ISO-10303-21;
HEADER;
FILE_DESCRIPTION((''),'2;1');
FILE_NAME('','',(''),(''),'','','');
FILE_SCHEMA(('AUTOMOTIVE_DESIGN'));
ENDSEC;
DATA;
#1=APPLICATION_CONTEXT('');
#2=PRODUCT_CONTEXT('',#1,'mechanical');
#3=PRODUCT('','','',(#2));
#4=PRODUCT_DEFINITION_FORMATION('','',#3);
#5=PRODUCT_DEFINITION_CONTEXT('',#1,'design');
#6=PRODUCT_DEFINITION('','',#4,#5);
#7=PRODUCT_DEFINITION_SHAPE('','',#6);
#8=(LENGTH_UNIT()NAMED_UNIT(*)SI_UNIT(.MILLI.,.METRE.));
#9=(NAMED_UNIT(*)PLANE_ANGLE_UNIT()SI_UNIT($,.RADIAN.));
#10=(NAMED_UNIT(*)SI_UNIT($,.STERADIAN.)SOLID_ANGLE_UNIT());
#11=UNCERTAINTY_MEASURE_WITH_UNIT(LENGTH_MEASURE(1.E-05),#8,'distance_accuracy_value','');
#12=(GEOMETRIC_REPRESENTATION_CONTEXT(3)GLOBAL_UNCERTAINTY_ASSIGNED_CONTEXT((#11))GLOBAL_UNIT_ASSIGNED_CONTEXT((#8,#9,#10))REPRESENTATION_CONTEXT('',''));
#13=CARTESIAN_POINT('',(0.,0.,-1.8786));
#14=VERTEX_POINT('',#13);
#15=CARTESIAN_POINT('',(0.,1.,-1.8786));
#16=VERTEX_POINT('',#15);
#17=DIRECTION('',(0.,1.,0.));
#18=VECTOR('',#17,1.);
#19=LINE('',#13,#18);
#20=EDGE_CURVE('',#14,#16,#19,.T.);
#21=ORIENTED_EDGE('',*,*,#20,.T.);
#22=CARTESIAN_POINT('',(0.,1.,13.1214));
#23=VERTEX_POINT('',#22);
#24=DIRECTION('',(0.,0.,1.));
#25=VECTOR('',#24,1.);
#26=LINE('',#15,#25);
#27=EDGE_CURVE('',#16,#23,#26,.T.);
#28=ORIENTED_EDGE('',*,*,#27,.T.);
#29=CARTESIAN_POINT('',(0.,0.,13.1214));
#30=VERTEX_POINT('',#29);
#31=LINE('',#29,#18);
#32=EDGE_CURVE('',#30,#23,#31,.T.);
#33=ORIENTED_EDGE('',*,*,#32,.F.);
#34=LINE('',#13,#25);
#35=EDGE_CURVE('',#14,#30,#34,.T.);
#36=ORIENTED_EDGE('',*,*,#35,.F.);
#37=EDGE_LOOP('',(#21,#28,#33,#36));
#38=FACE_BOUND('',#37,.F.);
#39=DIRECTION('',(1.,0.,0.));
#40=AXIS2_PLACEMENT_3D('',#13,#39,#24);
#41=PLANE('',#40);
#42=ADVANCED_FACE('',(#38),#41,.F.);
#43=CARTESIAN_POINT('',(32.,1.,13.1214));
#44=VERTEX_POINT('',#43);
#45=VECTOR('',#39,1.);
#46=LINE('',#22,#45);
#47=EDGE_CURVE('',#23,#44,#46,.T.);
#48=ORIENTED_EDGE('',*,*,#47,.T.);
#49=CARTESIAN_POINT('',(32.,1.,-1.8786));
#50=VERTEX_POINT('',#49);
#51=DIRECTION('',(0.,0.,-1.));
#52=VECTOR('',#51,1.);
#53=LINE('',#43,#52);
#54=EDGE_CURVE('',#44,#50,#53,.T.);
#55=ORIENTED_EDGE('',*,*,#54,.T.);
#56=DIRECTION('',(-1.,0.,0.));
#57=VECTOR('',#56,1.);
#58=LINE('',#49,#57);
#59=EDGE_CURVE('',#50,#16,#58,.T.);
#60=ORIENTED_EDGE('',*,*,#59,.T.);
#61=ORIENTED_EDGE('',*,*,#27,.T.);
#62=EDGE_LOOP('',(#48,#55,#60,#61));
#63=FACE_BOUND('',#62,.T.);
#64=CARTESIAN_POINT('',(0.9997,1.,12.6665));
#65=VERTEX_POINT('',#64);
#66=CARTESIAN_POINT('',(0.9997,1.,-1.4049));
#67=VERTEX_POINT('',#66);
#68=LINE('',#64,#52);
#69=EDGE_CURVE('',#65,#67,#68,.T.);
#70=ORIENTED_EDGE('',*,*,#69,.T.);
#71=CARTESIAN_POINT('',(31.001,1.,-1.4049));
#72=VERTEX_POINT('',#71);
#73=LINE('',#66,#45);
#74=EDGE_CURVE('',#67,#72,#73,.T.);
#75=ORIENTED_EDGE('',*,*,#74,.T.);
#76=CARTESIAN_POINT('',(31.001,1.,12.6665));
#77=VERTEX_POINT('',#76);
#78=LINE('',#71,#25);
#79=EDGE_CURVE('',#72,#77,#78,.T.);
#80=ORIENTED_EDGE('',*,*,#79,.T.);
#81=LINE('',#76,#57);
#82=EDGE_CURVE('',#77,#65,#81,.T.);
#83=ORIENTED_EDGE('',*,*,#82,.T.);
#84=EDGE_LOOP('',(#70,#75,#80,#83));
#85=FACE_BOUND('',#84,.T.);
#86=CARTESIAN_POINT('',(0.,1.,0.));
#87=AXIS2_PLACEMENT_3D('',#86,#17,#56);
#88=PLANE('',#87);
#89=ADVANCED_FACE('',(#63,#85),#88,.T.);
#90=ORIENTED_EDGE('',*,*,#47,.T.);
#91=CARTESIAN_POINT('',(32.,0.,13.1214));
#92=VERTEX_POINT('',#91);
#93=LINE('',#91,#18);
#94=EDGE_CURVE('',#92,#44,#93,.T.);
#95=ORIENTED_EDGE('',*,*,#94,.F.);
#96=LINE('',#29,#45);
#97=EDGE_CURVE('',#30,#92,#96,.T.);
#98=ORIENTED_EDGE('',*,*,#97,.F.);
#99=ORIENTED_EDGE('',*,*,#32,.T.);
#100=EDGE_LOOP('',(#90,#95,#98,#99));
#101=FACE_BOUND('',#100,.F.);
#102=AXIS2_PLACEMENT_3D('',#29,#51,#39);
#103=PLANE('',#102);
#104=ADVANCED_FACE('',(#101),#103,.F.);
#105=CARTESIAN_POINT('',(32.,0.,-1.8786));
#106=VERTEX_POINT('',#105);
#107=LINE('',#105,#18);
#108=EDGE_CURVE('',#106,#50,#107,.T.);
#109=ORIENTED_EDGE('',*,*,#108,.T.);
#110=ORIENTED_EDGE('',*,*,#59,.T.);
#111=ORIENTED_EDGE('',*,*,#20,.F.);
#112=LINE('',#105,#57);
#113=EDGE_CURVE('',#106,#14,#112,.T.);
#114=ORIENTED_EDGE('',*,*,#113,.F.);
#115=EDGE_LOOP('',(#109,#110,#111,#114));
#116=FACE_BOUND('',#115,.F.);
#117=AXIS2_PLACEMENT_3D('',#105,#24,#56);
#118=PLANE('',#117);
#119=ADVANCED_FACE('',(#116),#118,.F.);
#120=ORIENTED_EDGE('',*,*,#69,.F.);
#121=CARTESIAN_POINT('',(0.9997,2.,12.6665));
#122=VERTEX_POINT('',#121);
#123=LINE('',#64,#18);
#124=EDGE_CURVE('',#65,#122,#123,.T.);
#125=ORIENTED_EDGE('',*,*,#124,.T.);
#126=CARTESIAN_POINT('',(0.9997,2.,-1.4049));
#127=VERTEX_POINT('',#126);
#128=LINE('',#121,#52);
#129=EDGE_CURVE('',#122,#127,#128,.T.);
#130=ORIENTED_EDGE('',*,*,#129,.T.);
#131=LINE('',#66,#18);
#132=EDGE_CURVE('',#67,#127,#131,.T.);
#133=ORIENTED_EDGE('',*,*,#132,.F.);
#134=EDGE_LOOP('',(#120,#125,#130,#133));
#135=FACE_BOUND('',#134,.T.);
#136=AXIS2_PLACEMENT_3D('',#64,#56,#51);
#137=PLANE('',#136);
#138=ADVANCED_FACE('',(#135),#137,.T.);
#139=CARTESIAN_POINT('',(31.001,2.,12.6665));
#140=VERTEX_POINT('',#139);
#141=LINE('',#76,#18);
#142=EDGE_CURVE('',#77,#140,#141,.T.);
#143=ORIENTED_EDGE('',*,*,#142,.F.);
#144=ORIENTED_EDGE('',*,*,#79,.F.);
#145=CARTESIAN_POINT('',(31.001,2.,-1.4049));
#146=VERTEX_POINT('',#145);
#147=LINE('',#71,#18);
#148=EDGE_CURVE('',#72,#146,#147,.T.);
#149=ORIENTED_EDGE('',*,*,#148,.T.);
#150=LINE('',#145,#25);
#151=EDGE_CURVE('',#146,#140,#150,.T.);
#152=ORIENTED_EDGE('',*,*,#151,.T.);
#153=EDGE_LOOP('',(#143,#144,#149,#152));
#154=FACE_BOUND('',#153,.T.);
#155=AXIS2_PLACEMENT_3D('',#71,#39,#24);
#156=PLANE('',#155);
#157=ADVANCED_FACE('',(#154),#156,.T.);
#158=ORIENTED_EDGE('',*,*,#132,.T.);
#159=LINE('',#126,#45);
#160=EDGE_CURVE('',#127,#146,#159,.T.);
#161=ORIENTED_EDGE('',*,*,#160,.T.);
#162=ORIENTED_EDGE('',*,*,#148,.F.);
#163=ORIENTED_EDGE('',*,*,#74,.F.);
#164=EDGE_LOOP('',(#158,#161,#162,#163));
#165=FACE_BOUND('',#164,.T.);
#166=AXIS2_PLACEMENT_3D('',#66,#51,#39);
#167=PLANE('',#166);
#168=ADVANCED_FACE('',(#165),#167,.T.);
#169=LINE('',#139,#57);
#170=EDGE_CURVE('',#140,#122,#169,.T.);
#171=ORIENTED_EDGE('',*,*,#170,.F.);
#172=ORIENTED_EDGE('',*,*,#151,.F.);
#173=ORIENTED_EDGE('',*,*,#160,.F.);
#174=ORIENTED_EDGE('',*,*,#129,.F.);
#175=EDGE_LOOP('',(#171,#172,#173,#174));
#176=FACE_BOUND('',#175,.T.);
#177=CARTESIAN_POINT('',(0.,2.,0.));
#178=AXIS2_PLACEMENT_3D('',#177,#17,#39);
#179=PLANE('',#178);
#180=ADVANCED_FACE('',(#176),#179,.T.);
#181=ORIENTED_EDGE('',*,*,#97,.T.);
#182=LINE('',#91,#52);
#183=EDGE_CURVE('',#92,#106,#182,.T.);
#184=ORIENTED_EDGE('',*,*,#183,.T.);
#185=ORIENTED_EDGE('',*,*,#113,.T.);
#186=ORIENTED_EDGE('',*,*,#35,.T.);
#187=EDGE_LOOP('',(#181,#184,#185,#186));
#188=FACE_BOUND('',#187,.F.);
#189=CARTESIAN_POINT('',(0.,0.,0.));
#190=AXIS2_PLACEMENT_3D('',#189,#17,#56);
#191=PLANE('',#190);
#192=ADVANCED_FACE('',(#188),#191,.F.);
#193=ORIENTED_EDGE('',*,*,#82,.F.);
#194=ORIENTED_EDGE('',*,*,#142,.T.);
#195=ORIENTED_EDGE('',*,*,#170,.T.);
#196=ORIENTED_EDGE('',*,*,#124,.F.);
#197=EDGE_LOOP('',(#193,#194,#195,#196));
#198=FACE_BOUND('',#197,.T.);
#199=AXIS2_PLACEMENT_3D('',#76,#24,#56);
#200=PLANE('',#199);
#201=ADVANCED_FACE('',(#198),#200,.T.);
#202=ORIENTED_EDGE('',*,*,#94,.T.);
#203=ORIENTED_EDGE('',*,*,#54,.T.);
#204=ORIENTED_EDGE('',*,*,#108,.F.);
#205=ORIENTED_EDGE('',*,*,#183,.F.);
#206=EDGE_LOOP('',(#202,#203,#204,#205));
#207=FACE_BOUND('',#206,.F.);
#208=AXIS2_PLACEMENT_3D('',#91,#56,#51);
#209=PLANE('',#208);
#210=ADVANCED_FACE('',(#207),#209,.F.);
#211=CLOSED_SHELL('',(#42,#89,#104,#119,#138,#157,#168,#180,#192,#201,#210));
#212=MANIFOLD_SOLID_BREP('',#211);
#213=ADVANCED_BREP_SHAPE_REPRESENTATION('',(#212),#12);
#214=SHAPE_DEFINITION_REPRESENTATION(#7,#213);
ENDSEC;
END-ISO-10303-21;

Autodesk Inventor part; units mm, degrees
ref_plane "YZ Plane" through (0, 0, 0) normal (1, 0, 0) x (0, 1, 0)
ref_plane "XZ Plane" through (0, 0, 0) normal (0, 1, 0) x (-1, 0, 0)
ref_plane "XY Plane" through (0, 0, 0) normal (0, 0, 1) x (1, 0, 0)
sketch "Sketch1" plane through (0, 0, 0) normal (0, 1, 0) x (-1, 0, 0)
  line L0 (0, 13.1214) -> (-32, 13.1214)
  line L1 (-32, 13.1214) -> (-32, -1.8786)
  line L2 (-32, -1.8786) -> (0, -1.8786)
  line L3 (0, -1.8786) -> (0, 13.1214)
  point P0 (0, 0)
  dimension "d0" = 32
  dimension "d1" = 15
extrude "Extrusion1" add sketch "Sketch1" along normal blind 1
sketch "Sketch2" plane through (0, 1, 0) normal (0, 1, 0) x (1, 0, 0)
  line L0 (32, 1.8786) -> (0, 1.8786) projected
  line L1 (32.1041, -13.1869) -> (0, 1.8786)
  point P0 (0, 0)
sketch "Sketch3" plane through (0, 1, 0) normal (0, 1, 0) x (1, 0, 0)
  line L0 (31.001, -12.6665) -> (0.9997, -12.6665)
  line L1 (0.9997, -12.6665) -> (0.9997, 1.4049)
  line L2 (0.9997, 1.4049) -> (31.001, 1.4049)
  line L3 (31.001, 1.4049) -> (31.001, -12.6665)
  point P0 (0, 0)
extrude "Extrusion2" add sketch "Sketch3" along normal blind 1
properties part number "kansi"
